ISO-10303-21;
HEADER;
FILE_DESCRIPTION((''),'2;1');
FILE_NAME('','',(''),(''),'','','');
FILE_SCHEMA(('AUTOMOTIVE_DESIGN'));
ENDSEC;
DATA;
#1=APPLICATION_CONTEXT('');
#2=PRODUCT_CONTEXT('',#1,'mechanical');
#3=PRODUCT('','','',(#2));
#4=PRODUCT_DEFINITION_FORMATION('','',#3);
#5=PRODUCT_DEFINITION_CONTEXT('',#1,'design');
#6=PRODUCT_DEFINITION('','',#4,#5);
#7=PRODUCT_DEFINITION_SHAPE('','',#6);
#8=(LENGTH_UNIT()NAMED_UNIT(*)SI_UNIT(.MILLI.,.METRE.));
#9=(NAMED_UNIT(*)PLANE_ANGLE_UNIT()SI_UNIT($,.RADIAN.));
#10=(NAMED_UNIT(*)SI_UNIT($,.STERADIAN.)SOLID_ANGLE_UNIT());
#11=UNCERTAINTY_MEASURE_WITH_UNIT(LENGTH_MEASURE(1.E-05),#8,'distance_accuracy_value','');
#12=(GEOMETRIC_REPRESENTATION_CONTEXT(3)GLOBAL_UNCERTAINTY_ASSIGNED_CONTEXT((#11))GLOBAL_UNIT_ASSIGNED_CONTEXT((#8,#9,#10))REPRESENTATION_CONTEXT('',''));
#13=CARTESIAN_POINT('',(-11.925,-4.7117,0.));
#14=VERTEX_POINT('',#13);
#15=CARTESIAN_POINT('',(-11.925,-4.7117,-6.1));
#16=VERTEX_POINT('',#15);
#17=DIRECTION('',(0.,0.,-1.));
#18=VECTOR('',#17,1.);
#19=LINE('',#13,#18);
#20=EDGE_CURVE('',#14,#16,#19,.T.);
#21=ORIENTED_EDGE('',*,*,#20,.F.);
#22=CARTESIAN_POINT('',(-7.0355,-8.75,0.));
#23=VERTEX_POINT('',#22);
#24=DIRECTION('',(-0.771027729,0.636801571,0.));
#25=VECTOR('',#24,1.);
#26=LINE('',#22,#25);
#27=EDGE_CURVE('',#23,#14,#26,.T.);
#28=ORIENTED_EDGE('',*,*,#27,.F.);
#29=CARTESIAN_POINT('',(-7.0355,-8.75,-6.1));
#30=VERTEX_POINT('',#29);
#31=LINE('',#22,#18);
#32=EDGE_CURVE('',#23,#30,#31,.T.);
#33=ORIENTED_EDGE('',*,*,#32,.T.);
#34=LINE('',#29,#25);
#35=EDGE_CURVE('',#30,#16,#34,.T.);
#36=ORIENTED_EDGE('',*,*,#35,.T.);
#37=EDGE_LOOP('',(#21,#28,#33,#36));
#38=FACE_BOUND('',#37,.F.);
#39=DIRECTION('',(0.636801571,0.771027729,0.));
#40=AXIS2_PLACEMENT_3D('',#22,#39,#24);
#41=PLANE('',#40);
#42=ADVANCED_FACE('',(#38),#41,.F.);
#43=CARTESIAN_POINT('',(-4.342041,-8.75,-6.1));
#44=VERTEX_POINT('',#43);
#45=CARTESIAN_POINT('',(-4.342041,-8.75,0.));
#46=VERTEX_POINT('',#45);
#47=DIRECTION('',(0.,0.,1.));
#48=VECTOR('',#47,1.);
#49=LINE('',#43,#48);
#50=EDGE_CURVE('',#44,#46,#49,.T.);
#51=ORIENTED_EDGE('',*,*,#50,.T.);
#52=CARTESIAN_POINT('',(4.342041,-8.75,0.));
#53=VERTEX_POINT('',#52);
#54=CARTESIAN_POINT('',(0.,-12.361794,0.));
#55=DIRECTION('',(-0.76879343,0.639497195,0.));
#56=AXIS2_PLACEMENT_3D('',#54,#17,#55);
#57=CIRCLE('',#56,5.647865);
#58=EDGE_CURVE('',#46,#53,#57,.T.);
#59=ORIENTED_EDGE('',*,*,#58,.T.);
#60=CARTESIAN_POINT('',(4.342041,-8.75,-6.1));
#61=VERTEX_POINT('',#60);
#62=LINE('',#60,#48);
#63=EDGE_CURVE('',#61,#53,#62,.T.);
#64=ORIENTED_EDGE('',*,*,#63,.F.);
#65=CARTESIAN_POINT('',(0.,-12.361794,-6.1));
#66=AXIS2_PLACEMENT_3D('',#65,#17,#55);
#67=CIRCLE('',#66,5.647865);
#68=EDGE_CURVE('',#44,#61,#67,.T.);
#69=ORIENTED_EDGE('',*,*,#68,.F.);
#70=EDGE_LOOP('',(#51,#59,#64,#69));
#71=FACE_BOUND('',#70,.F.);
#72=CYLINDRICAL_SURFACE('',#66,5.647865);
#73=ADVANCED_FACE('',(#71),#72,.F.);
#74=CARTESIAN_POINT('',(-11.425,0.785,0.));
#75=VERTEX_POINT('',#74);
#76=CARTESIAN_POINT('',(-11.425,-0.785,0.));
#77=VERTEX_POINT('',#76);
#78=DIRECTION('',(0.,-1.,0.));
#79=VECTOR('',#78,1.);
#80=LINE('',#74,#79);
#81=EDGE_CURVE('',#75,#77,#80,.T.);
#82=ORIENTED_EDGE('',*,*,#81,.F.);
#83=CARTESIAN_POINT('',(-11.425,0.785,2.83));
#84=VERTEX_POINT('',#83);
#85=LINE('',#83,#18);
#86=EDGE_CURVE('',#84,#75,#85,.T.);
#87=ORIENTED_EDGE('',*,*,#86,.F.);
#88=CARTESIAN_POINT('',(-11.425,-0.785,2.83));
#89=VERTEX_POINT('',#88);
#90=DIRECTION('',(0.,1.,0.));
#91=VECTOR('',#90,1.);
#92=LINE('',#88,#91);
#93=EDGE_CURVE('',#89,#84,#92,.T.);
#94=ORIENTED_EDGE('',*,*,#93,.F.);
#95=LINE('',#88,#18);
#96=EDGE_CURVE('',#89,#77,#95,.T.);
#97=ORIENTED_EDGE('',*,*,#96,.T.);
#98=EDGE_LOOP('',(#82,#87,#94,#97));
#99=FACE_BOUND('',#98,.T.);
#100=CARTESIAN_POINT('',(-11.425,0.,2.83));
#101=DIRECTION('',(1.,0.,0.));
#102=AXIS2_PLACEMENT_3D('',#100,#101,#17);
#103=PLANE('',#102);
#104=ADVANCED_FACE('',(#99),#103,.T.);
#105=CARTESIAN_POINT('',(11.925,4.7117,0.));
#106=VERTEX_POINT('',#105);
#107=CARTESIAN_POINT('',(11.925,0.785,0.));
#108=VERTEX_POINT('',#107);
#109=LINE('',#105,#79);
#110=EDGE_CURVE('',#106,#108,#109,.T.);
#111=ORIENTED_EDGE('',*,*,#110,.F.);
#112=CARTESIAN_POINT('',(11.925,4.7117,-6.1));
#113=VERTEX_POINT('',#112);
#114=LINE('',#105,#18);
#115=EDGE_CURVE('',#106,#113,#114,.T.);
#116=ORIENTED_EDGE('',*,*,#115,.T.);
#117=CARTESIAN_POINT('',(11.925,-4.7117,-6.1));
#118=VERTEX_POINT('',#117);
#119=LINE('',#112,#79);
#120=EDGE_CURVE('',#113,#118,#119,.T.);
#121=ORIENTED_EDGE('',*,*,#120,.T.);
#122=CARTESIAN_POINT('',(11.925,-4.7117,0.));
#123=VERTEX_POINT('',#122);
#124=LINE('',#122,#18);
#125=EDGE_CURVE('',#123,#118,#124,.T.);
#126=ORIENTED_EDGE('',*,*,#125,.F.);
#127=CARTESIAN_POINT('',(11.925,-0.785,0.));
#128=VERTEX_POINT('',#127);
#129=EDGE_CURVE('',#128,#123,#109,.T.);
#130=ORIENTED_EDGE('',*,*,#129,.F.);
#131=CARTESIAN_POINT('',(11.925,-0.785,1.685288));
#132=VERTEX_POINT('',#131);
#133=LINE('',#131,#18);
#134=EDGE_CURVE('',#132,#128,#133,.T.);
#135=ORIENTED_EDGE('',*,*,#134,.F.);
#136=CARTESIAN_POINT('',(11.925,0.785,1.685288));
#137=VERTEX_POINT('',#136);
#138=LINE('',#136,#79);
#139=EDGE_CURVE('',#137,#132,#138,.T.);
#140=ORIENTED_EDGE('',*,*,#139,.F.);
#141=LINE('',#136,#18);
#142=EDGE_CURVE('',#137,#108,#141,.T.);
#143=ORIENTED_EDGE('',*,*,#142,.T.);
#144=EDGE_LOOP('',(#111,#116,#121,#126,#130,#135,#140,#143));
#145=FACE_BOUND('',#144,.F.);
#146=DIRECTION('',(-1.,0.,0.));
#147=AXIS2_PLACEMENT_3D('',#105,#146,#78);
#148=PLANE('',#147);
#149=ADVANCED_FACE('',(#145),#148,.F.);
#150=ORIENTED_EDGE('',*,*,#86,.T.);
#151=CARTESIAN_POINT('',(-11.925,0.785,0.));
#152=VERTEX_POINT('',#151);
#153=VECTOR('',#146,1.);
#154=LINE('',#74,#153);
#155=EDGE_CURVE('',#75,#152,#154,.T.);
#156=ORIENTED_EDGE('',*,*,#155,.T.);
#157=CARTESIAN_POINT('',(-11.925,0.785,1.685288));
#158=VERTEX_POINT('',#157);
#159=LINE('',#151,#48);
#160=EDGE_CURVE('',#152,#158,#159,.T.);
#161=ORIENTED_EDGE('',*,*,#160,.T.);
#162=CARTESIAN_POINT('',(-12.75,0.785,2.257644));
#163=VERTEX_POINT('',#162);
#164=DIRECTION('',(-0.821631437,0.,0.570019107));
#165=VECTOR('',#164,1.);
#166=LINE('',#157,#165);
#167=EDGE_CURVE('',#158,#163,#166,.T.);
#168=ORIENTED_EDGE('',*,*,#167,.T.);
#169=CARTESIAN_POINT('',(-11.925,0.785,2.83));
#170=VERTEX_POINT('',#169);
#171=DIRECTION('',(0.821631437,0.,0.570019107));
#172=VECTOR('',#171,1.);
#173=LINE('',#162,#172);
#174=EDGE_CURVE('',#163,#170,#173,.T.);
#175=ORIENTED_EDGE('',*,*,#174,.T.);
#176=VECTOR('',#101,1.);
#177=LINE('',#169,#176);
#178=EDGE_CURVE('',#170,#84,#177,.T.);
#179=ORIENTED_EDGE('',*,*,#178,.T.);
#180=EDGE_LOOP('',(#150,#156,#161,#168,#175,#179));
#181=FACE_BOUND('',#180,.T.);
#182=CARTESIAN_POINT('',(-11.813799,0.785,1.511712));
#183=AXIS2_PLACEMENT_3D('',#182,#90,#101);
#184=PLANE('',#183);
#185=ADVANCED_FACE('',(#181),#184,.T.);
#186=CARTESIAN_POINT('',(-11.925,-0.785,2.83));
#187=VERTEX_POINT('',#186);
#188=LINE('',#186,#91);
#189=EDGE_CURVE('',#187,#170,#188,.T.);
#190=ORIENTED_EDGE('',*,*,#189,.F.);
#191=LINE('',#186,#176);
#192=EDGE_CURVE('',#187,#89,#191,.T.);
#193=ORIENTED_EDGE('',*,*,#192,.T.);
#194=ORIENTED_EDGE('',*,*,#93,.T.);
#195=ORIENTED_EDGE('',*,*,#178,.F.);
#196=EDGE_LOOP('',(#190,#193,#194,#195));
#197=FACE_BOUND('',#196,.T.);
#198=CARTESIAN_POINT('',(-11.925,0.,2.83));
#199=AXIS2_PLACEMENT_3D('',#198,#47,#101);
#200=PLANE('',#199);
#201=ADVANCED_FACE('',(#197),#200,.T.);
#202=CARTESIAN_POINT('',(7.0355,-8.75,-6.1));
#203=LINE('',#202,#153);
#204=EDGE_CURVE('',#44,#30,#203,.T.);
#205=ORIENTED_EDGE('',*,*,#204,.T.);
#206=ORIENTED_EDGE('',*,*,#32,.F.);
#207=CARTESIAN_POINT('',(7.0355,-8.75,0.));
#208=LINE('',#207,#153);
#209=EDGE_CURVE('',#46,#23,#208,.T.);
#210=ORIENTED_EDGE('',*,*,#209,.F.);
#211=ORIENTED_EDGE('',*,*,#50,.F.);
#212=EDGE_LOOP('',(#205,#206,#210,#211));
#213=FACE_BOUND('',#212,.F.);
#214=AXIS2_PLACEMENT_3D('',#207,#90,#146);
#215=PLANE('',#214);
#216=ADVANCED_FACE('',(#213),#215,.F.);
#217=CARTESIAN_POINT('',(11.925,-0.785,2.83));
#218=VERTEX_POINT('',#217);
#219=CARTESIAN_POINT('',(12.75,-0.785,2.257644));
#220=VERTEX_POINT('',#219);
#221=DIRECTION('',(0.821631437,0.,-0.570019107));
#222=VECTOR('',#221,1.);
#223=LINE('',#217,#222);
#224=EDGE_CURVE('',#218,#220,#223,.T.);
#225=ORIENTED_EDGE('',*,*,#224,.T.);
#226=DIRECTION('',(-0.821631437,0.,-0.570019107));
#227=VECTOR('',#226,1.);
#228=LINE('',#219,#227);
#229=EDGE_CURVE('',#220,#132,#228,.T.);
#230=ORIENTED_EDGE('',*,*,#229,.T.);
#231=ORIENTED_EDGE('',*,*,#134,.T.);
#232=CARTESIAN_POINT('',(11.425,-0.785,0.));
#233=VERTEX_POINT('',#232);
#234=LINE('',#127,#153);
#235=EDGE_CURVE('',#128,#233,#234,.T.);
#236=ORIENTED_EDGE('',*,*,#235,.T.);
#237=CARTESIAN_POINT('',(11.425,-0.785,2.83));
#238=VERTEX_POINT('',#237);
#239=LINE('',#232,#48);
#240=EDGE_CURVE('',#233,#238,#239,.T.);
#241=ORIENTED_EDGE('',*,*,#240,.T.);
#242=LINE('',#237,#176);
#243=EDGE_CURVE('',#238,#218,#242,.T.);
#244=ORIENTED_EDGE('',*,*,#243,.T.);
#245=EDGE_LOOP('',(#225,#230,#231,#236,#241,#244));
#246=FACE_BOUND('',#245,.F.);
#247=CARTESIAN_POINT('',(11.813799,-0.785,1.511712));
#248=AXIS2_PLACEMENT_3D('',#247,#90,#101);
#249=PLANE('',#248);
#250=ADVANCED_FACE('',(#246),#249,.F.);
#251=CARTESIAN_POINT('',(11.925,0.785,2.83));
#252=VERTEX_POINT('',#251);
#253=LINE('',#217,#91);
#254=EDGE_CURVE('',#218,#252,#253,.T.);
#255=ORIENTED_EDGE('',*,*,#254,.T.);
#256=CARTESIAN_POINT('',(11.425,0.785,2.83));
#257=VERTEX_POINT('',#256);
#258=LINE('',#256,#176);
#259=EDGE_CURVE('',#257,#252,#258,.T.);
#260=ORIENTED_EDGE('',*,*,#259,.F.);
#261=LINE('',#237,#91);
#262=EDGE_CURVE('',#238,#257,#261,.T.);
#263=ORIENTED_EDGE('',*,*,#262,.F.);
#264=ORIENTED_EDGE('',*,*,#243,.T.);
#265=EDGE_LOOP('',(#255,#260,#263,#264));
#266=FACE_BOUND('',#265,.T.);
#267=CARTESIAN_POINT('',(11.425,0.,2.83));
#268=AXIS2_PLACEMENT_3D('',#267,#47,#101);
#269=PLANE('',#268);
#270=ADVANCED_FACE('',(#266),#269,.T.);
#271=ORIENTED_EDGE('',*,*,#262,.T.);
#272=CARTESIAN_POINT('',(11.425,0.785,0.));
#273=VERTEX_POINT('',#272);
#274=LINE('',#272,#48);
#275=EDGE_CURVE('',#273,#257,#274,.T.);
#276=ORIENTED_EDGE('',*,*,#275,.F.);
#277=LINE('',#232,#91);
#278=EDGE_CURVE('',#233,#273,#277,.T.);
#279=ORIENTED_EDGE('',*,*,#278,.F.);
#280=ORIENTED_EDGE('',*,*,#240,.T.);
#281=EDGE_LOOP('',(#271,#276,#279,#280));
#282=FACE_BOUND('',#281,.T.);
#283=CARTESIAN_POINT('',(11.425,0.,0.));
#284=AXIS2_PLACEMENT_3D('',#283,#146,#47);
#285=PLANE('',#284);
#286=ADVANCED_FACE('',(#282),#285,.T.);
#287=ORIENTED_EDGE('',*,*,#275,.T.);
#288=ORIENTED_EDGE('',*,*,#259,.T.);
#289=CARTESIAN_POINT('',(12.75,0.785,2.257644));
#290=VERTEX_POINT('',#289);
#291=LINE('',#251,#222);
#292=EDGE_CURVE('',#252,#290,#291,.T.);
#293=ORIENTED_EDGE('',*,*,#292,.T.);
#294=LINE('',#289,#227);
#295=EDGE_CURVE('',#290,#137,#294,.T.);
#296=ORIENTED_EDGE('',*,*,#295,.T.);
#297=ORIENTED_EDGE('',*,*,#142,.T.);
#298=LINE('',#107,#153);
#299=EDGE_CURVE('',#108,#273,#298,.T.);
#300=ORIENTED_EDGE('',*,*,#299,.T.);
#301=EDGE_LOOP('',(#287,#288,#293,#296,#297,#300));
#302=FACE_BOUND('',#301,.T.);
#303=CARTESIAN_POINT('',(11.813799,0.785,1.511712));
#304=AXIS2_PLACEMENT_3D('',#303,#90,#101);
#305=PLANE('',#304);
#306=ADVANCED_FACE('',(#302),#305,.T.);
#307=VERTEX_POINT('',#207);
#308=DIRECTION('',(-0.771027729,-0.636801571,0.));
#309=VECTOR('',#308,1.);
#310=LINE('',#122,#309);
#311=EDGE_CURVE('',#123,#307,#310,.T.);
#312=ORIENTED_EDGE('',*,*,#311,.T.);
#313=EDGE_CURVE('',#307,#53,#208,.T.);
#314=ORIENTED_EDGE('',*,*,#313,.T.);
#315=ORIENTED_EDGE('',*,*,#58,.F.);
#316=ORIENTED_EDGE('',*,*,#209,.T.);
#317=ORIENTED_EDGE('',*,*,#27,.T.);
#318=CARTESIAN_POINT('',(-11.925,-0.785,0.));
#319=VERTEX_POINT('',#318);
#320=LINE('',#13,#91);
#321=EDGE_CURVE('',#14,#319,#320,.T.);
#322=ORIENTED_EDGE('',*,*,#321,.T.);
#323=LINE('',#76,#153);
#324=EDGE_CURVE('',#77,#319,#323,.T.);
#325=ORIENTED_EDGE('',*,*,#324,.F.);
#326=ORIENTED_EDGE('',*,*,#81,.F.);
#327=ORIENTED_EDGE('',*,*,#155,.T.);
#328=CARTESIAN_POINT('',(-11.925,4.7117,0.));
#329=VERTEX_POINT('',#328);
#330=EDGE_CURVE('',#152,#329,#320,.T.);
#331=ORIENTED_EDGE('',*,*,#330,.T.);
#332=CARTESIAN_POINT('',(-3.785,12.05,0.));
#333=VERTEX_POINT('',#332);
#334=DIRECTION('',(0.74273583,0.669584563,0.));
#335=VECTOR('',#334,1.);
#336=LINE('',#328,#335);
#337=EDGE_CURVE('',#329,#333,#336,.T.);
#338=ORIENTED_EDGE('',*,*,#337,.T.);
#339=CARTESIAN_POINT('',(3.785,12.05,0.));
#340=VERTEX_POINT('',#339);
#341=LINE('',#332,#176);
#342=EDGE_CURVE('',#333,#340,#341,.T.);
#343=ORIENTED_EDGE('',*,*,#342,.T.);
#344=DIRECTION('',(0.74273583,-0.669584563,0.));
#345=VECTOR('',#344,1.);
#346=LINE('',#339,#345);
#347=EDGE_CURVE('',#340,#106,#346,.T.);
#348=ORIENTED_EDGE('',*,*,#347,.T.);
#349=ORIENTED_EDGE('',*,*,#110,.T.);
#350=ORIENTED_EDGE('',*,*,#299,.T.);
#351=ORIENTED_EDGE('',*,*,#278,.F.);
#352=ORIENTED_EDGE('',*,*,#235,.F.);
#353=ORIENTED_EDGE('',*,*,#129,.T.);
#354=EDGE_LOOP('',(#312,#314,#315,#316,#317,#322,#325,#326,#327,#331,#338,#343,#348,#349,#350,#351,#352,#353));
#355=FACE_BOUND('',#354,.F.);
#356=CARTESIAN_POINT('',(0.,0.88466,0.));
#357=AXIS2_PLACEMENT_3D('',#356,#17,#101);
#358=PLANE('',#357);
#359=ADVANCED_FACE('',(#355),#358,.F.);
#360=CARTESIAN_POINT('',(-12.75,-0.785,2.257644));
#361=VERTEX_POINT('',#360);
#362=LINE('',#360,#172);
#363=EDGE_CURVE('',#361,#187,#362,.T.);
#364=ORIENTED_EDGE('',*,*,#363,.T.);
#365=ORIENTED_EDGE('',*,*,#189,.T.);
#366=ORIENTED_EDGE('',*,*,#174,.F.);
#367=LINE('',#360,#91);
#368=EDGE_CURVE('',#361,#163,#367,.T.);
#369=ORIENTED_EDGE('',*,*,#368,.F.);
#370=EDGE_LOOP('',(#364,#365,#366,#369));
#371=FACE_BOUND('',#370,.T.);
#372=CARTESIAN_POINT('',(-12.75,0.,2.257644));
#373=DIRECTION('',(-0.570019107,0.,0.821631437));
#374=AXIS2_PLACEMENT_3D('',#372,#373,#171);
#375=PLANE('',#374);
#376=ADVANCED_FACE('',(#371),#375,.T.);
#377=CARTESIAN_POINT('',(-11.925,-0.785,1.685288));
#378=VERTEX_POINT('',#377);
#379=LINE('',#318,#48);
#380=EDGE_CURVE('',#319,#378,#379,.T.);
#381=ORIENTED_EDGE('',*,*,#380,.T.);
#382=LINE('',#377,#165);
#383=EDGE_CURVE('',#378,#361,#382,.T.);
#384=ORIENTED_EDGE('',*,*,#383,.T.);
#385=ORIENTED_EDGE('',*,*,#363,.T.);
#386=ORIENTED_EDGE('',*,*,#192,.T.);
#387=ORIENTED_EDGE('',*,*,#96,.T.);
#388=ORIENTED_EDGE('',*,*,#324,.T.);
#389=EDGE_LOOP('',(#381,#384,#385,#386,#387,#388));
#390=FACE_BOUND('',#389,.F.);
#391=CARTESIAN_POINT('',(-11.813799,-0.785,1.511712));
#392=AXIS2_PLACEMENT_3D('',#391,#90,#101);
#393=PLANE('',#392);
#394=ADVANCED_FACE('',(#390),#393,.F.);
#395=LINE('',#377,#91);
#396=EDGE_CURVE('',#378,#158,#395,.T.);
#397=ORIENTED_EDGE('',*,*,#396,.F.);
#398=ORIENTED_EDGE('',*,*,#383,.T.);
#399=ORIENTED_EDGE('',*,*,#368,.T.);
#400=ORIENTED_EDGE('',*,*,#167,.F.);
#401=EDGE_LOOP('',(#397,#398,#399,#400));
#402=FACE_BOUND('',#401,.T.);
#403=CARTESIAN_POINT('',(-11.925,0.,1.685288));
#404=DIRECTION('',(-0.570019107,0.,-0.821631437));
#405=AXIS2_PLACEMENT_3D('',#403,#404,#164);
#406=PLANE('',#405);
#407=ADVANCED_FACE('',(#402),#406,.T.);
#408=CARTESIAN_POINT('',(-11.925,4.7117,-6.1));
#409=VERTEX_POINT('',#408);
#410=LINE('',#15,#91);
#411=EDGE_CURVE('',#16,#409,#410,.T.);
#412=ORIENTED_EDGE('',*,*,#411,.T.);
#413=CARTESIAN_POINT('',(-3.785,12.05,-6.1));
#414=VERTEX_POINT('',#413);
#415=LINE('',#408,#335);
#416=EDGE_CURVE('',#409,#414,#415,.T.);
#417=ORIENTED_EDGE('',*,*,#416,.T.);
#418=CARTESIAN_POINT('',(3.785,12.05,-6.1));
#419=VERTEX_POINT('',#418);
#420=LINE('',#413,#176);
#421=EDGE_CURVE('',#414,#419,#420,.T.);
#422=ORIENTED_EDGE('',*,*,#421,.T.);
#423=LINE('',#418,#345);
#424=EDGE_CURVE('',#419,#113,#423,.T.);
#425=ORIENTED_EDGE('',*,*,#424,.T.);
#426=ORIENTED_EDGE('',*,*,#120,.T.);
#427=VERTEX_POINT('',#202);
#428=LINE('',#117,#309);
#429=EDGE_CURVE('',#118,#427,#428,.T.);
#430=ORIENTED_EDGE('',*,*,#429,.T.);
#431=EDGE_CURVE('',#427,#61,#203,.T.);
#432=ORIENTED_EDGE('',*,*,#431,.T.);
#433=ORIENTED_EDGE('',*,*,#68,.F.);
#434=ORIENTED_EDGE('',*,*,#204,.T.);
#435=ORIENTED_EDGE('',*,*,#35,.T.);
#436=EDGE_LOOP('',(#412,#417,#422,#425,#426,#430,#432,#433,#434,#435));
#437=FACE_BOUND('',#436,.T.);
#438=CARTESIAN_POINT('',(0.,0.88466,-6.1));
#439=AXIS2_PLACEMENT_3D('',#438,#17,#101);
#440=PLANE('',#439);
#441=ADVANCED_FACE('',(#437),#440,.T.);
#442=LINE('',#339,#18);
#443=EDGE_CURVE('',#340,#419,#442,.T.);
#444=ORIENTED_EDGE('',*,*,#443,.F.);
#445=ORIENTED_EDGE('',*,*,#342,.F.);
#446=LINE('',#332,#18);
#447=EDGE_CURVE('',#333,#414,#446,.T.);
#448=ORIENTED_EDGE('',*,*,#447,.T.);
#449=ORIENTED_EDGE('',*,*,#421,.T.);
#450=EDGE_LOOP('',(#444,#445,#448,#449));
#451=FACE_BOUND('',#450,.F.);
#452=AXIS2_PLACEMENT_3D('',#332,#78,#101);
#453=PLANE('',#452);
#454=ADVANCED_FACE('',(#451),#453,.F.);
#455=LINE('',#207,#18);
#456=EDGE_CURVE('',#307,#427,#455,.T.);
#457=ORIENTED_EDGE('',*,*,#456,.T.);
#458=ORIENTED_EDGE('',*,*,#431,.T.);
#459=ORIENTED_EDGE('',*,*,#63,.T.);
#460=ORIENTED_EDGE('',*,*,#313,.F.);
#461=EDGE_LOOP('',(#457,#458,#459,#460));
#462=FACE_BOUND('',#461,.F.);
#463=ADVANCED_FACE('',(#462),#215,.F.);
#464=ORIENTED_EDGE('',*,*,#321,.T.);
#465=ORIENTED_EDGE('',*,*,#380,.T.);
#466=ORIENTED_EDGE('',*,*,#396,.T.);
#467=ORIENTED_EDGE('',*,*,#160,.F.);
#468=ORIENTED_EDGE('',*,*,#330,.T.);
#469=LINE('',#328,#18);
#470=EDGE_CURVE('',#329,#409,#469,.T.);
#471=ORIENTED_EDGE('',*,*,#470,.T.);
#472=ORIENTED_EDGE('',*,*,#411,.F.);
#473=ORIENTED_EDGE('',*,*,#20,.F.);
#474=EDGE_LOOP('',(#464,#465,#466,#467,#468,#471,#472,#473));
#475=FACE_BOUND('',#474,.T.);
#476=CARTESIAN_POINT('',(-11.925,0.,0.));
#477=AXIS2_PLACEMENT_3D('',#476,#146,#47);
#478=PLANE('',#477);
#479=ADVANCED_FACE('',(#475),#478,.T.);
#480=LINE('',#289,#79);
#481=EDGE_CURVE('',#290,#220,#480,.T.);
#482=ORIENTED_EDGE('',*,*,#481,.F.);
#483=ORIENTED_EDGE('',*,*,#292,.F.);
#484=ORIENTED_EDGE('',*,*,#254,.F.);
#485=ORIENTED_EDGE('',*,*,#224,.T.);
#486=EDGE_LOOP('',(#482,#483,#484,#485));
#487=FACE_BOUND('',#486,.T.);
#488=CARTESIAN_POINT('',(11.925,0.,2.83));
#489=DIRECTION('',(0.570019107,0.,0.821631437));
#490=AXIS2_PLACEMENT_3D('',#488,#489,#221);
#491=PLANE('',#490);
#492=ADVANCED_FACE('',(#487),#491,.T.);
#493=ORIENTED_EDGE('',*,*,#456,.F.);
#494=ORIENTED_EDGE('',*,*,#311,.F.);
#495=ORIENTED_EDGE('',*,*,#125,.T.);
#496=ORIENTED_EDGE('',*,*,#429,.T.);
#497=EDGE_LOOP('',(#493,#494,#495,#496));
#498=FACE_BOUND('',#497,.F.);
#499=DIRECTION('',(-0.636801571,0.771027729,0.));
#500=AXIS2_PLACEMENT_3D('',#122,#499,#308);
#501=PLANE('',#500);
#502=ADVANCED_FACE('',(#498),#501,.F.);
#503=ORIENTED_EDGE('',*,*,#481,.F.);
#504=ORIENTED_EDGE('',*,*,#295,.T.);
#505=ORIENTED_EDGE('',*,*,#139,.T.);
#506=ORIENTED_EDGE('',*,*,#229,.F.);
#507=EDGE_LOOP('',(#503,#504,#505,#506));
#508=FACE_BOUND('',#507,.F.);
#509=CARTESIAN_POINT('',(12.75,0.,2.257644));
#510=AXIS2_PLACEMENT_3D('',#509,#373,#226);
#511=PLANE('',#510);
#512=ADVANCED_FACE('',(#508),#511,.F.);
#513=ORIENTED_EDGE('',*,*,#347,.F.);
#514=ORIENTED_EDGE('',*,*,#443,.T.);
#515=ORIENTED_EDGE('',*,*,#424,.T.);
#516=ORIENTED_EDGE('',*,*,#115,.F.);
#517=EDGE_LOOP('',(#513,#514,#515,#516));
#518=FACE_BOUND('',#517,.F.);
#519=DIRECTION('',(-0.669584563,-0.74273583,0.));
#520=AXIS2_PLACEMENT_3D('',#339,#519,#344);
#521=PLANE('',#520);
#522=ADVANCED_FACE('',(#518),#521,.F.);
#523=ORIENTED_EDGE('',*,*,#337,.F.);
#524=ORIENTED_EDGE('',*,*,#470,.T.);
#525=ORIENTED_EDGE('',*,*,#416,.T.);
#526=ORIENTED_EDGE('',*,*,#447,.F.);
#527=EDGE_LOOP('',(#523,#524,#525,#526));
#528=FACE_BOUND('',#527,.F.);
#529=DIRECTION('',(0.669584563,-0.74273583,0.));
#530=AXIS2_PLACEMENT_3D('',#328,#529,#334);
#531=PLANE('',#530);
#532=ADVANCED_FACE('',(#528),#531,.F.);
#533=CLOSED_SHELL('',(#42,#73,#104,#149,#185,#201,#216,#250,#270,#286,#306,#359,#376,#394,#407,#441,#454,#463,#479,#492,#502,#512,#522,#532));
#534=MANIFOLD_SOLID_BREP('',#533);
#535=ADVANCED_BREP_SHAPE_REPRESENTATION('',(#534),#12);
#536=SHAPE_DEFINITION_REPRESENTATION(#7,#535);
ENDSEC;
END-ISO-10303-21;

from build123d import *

# Parameters (mm, degrees)
F1_DEPTH      = 6.1
F3_DEPTH      = 0.785
F3_DEPTH_BACK = 0.785
F5_DEPTH      = 8.931
F6_ANGLE      = 180


with BuildPart() as f1:
    # F0 (on Top) → F1 (new body)
    with BuildSketch(Plane.XY):
        Polygon((-7.0355, 8.75), (-11.925, 4.7117), (-11.925, -4.7117), (-3.785, -12.05), (3.785, -12.05), (11.925, -4.7117), (11.925, 4.7117), (7.0355, 8.75), align=None)
    extrude(amount=F1_DEPTH)

    # F2 (on Front) → F3 (join, two sides)
    with BuildSketch(Plane.XZ) as f3_sk:
        Polygon((-11.425, 0), (-11.925, 0), (-11.925, -1.6852878034), (-12.75, -2.2576439017), (-11.925, -2.83), (-11.425, -2.83), align=None)
        Polygon((11.925, -1.6852878034), (11.925, 0), (11.425, 0), (11.425, -2.83), (11.925, -2.83), (12.75, -2.2576439017), align=None)
    extrude(amount=F3_DEPTH)
    extrude(f3_sk.sketch, amount=-F3_DEPTH_BACK)

    # F4 (on face) → F5 (cut, through all)
    with BuildSketch(Plane.XY.offset(6.1)):
        with BuildLine():
            Line((4.342041453, 8.75), (-4.342041453, 8.75))
            ThreePointArc((-4.342041453, 8.75), (0, 6.7139288477), (4.342041453, 8.75))
        make_face()
    extrude(amount=-F5_DEPTH, mode=Mode.SUBTRACT)


with BuildPart() as f1_1:
    # F6: moved
    add(f1.part.rotate(Axis((-2.2744432418, 0, 0), (1, 0, 0)), F6_ANGLE))


solid = f1_1.part
